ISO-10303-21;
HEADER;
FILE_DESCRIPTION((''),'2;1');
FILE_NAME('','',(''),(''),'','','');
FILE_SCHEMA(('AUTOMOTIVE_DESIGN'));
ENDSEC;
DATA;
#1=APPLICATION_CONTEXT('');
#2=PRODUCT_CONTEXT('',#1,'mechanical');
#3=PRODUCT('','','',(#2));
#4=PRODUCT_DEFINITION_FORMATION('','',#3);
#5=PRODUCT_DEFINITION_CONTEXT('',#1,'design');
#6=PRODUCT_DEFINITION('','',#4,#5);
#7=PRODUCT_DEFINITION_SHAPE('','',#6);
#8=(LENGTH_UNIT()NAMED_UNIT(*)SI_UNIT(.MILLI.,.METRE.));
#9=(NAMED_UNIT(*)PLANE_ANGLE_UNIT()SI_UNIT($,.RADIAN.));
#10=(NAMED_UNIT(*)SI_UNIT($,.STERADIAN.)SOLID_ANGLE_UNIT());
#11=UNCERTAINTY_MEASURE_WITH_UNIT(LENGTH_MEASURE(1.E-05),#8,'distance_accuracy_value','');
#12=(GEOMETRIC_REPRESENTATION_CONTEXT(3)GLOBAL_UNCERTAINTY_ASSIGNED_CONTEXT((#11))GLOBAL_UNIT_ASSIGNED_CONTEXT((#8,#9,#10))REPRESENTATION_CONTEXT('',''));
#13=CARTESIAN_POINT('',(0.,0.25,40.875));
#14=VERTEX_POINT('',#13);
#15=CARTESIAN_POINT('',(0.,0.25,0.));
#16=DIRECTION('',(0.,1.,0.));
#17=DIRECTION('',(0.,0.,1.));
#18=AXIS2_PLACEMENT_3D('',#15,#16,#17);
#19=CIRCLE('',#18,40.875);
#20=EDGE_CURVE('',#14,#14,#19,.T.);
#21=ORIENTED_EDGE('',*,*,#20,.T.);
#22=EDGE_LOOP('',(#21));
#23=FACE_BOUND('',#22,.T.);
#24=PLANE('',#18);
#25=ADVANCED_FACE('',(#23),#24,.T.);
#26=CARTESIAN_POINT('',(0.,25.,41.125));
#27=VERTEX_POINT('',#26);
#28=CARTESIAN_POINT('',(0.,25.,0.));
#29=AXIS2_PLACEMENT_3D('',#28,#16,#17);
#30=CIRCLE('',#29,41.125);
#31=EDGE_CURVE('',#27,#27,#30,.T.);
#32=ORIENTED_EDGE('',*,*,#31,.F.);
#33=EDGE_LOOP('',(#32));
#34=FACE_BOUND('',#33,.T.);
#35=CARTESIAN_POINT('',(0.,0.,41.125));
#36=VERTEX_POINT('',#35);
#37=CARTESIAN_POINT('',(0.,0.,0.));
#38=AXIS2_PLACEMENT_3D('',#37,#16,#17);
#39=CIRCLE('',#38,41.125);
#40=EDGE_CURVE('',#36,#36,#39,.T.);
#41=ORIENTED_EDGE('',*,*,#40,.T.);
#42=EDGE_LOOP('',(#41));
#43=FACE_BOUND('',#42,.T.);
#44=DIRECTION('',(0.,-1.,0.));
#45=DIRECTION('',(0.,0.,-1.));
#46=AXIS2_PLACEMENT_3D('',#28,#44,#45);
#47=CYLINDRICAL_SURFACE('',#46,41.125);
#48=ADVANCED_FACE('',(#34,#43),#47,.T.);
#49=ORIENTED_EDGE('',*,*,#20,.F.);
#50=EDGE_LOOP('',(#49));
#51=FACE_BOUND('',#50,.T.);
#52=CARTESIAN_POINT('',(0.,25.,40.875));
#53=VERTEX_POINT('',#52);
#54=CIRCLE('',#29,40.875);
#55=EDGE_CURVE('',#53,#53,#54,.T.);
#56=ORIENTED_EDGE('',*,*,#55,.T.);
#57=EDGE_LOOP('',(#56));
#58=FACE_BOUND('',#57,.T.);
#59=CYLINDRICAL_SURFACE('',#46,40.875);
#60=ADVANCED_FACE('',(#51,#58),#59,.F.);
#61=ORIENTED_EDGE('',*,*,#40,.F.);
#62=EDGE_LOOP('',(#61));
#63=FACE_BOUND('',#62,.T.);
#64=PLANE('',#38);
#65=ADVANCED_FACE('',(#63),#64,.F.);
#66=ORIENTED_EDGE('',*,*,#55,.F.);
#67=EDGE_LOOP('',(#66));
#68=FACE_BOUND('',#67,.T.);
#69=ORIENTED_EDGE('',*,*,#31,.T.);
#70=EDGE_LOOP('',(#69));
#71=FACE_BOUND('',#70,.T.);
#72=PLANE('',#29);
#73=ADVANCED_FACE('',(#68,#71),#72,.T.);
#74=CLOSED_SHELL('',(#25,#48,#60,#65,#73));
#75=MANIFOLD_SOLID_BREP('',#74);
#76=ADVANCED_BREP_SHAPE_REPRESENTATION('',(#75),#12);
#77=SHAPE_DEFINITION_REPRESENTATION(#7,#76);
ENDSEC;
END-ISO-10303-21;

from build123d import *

# Parameters (mm, degrees)
SKETCH1_R           = 41.125
BOSS_EXTRUDE1_DEPTH = 25
SHELL1_T            = -0.25


with BuildPart() as part:
    # Sketch1 → Boss-Extrude1 (new body)
    with BuildSketch(Plane(origin=(0, 0, 0), x_dir=(1, 0, 0), z_dir=(0, 1, 0))):
        with Locations(Location((0, 0, 0), (0, 0, 270))):
            Circle(SKETCH1_R)
    extrude(amount=BOSS_EXTRUDE1_DEPTH)

    # Shell1
    shell1_openings = [part.faces().sort_by_distance(p)[0] for p in [
        (0, 25, 0),
    ]]
    offset(amount=SHELL1_T, openings=shell1_openings, kind=Kind.INTERSECTION)


solid = part.part
